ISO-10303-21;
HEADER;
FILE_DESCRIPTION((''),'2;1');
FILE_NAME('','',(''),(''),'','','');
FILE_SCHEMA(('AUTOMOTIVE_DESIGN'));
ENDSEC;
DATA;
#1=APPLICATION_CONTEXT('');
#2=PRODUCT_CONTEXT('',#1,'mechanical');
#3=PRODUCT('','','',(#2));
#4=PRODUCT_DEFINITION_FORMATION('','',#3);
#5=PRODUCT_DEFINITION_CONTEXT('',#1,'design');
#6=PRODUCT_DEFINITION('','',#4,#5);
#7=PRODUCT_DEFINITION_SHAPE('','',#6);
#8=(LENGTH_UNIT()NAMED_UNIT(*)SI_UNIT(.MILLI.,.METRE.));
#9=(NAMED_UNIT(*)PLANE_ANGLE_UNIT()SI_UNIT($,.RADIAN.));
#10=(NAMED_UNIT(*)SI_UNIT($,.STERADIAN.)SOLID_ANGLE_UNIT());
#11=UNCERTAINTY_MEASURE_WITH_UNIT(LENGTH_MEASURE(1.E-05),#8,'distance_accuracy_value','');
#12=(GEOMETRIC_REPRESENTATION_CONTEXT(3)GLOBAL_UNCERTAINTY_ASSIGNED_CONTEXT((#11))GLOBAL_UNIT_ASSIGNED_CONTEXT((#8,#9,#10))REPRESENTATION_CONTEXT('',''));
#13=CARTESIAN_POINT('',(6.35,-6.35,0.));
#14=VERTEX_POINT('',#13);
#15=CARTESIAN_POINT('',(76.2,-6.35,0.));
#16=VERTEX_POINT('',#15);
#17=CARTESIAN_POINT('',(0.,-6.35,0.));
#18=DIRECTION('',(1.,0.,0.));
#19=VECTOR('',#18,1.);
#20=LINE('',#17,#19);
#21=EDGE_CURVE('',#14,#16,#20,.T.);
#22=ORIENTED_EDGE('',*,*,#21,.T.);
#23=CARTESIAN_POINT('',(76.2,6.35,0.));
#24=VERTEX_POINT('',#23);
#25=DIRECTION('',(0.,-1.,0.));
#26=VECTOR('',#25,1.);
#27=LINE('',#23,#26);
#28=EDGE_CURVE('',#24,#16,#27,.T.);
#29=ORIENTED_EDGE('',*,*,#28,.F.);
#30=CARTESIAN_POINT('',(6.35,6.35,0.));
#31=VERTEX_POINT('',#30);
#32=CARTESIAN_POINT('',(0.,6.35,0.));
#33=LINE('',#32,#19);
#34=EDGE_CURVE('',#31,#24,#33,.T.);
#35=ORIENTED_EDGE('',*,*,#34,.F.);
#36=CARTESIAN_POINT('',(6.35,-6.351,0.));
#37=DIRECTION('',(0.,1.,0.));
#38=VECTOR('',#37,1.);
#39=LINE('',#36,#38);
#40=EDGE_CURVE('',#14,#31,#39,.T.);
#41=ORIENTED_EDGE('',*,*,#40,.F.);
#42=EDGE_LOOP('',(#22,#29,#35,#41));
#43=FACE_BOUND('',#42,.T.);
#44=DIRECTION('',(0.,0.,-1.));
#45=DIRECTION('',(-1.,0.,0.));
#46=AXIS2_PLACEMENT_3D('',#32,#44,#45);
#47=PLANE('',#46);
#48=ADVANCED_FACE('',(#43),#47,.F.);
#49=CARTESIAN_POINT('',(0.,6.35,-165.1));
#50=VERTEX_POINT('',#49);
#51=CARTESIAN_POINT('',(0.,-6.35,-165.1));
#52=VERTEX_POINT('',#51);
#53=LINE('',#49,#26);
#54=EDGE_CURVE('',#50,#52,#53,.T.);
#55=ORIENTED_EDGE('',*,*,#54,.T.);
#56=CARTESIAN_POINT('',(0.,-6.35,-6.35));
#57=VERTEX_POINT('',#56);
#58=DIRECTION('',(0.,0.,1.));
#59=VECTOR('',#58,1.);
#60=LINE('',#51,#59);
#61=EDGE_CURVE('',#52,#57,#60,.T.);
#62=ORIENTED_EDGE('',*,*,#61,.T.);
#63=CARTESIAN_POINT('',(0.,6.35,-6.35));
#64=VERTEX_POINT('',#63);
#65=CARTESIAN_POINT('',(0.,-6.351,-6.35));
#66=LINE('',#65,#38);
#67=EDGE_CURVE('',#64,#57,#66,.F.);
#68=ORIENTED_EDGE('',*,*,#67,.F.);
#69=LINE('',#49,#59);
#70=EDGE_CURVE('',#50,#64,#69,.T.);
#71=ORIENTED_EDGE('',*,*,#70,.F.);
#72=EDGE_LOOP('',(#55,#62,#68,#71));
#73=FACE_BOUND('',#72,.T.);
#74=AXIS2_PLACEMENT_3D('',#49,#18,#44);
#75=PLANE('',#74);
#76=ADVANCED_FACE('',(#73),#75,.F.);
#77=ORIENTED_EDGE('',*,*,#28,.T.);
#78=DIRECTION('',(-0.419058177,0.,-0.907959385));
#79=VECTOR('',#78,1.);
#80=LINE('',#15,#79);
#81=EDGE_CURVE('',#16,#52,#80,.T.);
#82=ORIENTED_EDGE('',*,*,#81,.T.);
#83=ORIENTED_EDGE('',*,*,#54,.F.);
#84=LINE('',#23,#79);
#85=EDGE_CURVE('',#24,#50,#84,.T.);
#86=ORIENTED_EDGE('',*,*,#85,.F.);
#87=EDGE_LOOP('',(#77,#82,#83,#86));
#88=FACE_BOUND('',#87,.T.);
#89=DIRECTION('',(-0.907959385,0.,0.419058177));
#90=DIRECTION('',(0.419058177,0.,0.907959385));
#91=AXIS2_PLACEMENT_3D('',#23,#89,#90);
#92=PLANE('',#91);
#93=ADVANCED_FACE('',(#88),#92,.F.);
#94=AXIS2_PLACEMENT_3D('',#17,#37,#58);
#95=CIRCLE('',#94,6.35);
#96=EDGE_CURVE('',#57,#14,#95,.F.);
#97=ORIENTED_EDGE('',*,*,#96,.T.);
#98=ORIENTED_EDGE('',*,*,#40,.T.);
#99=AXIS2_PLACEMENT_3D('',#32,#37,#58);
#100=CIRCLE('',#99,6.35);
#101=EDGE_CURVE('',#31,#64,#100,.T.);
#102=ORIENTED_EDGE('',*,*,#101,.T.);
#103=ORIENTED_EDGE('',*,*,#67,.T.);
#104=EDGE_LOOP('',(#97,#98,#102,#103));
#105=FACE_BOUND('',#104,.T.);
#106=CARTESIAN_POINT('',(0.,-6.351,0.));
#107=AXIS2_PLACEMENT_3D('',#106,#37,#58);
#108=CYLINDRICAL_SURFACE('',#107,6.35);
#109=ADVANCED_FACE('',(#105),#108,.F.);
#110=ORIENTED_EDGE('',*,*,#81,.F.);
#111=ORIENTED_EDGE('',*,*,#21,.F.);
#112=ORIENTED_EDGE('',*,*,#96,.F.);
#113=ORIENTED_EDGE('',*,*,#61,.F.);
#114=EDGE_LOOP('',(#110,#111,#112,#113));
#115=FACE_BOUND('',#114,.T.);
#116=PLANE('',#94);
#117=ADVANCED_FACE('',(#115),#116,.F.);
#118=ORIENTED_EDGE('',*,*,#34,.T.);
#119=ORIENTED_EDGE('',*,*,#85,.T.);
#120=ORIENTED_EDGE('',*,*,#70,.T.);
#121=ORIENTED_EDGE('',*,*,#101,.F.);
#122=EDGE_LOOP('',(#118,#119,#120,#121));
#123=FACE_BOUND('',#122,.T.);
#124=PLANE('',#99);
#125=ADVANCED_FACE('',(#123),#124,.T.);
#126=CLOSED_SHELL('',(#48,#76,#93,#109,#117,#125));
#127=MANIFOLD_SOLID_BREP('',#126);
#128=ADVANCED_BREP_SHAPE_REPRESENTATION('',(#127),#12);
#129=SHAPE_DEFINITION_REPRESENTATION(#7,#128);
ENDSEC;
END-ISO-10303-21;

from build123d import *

# Parameters (mm, degrees)
BOSS_EXTRUDE1_DEPTH = 6.35
CUT_EXTRUDE1_REACH  = 14.7
SKETCH3_R           = 6.35


with BuildPart() as part:
    # Sketch2 → Boss-Extrude1 (new body, symmetric)
    with BuildSketch(Plane(origin=(0, 0, 0), x_dir=(1, 0, 0), z_dir=(0, 1, 0))):
        Polygon((0, 0), (76.2, 0), (0, 165.1), align=None)
    extrude(amount=BOSS_EXTRUDE1_DEPTH, both=True)

    # Sketch3 → Cut-Extrude1 (cut, up to next)
    with BuildSketch(Plane(origin=(0, 6.35, 0), x_dir=(1, 0, 0), z_dir=(0, 1, 0)), mode=Mode.PRIVATE) as cut_extrude1_sk1:
        Circle(SKETCH3_R)
    cut_extrude1_tool1 = extrude(cut_extrude1_sk1.sketch, amount=-CUT_EXTRUDE1_REACH, mode=Mode.PRIVATE) & part.part
    add(cut_extrude1_tool1.solids().sort_by_distance((0, 6.35, 0))[0], mode=Mode.SUBTRACT)


solid = part.part
